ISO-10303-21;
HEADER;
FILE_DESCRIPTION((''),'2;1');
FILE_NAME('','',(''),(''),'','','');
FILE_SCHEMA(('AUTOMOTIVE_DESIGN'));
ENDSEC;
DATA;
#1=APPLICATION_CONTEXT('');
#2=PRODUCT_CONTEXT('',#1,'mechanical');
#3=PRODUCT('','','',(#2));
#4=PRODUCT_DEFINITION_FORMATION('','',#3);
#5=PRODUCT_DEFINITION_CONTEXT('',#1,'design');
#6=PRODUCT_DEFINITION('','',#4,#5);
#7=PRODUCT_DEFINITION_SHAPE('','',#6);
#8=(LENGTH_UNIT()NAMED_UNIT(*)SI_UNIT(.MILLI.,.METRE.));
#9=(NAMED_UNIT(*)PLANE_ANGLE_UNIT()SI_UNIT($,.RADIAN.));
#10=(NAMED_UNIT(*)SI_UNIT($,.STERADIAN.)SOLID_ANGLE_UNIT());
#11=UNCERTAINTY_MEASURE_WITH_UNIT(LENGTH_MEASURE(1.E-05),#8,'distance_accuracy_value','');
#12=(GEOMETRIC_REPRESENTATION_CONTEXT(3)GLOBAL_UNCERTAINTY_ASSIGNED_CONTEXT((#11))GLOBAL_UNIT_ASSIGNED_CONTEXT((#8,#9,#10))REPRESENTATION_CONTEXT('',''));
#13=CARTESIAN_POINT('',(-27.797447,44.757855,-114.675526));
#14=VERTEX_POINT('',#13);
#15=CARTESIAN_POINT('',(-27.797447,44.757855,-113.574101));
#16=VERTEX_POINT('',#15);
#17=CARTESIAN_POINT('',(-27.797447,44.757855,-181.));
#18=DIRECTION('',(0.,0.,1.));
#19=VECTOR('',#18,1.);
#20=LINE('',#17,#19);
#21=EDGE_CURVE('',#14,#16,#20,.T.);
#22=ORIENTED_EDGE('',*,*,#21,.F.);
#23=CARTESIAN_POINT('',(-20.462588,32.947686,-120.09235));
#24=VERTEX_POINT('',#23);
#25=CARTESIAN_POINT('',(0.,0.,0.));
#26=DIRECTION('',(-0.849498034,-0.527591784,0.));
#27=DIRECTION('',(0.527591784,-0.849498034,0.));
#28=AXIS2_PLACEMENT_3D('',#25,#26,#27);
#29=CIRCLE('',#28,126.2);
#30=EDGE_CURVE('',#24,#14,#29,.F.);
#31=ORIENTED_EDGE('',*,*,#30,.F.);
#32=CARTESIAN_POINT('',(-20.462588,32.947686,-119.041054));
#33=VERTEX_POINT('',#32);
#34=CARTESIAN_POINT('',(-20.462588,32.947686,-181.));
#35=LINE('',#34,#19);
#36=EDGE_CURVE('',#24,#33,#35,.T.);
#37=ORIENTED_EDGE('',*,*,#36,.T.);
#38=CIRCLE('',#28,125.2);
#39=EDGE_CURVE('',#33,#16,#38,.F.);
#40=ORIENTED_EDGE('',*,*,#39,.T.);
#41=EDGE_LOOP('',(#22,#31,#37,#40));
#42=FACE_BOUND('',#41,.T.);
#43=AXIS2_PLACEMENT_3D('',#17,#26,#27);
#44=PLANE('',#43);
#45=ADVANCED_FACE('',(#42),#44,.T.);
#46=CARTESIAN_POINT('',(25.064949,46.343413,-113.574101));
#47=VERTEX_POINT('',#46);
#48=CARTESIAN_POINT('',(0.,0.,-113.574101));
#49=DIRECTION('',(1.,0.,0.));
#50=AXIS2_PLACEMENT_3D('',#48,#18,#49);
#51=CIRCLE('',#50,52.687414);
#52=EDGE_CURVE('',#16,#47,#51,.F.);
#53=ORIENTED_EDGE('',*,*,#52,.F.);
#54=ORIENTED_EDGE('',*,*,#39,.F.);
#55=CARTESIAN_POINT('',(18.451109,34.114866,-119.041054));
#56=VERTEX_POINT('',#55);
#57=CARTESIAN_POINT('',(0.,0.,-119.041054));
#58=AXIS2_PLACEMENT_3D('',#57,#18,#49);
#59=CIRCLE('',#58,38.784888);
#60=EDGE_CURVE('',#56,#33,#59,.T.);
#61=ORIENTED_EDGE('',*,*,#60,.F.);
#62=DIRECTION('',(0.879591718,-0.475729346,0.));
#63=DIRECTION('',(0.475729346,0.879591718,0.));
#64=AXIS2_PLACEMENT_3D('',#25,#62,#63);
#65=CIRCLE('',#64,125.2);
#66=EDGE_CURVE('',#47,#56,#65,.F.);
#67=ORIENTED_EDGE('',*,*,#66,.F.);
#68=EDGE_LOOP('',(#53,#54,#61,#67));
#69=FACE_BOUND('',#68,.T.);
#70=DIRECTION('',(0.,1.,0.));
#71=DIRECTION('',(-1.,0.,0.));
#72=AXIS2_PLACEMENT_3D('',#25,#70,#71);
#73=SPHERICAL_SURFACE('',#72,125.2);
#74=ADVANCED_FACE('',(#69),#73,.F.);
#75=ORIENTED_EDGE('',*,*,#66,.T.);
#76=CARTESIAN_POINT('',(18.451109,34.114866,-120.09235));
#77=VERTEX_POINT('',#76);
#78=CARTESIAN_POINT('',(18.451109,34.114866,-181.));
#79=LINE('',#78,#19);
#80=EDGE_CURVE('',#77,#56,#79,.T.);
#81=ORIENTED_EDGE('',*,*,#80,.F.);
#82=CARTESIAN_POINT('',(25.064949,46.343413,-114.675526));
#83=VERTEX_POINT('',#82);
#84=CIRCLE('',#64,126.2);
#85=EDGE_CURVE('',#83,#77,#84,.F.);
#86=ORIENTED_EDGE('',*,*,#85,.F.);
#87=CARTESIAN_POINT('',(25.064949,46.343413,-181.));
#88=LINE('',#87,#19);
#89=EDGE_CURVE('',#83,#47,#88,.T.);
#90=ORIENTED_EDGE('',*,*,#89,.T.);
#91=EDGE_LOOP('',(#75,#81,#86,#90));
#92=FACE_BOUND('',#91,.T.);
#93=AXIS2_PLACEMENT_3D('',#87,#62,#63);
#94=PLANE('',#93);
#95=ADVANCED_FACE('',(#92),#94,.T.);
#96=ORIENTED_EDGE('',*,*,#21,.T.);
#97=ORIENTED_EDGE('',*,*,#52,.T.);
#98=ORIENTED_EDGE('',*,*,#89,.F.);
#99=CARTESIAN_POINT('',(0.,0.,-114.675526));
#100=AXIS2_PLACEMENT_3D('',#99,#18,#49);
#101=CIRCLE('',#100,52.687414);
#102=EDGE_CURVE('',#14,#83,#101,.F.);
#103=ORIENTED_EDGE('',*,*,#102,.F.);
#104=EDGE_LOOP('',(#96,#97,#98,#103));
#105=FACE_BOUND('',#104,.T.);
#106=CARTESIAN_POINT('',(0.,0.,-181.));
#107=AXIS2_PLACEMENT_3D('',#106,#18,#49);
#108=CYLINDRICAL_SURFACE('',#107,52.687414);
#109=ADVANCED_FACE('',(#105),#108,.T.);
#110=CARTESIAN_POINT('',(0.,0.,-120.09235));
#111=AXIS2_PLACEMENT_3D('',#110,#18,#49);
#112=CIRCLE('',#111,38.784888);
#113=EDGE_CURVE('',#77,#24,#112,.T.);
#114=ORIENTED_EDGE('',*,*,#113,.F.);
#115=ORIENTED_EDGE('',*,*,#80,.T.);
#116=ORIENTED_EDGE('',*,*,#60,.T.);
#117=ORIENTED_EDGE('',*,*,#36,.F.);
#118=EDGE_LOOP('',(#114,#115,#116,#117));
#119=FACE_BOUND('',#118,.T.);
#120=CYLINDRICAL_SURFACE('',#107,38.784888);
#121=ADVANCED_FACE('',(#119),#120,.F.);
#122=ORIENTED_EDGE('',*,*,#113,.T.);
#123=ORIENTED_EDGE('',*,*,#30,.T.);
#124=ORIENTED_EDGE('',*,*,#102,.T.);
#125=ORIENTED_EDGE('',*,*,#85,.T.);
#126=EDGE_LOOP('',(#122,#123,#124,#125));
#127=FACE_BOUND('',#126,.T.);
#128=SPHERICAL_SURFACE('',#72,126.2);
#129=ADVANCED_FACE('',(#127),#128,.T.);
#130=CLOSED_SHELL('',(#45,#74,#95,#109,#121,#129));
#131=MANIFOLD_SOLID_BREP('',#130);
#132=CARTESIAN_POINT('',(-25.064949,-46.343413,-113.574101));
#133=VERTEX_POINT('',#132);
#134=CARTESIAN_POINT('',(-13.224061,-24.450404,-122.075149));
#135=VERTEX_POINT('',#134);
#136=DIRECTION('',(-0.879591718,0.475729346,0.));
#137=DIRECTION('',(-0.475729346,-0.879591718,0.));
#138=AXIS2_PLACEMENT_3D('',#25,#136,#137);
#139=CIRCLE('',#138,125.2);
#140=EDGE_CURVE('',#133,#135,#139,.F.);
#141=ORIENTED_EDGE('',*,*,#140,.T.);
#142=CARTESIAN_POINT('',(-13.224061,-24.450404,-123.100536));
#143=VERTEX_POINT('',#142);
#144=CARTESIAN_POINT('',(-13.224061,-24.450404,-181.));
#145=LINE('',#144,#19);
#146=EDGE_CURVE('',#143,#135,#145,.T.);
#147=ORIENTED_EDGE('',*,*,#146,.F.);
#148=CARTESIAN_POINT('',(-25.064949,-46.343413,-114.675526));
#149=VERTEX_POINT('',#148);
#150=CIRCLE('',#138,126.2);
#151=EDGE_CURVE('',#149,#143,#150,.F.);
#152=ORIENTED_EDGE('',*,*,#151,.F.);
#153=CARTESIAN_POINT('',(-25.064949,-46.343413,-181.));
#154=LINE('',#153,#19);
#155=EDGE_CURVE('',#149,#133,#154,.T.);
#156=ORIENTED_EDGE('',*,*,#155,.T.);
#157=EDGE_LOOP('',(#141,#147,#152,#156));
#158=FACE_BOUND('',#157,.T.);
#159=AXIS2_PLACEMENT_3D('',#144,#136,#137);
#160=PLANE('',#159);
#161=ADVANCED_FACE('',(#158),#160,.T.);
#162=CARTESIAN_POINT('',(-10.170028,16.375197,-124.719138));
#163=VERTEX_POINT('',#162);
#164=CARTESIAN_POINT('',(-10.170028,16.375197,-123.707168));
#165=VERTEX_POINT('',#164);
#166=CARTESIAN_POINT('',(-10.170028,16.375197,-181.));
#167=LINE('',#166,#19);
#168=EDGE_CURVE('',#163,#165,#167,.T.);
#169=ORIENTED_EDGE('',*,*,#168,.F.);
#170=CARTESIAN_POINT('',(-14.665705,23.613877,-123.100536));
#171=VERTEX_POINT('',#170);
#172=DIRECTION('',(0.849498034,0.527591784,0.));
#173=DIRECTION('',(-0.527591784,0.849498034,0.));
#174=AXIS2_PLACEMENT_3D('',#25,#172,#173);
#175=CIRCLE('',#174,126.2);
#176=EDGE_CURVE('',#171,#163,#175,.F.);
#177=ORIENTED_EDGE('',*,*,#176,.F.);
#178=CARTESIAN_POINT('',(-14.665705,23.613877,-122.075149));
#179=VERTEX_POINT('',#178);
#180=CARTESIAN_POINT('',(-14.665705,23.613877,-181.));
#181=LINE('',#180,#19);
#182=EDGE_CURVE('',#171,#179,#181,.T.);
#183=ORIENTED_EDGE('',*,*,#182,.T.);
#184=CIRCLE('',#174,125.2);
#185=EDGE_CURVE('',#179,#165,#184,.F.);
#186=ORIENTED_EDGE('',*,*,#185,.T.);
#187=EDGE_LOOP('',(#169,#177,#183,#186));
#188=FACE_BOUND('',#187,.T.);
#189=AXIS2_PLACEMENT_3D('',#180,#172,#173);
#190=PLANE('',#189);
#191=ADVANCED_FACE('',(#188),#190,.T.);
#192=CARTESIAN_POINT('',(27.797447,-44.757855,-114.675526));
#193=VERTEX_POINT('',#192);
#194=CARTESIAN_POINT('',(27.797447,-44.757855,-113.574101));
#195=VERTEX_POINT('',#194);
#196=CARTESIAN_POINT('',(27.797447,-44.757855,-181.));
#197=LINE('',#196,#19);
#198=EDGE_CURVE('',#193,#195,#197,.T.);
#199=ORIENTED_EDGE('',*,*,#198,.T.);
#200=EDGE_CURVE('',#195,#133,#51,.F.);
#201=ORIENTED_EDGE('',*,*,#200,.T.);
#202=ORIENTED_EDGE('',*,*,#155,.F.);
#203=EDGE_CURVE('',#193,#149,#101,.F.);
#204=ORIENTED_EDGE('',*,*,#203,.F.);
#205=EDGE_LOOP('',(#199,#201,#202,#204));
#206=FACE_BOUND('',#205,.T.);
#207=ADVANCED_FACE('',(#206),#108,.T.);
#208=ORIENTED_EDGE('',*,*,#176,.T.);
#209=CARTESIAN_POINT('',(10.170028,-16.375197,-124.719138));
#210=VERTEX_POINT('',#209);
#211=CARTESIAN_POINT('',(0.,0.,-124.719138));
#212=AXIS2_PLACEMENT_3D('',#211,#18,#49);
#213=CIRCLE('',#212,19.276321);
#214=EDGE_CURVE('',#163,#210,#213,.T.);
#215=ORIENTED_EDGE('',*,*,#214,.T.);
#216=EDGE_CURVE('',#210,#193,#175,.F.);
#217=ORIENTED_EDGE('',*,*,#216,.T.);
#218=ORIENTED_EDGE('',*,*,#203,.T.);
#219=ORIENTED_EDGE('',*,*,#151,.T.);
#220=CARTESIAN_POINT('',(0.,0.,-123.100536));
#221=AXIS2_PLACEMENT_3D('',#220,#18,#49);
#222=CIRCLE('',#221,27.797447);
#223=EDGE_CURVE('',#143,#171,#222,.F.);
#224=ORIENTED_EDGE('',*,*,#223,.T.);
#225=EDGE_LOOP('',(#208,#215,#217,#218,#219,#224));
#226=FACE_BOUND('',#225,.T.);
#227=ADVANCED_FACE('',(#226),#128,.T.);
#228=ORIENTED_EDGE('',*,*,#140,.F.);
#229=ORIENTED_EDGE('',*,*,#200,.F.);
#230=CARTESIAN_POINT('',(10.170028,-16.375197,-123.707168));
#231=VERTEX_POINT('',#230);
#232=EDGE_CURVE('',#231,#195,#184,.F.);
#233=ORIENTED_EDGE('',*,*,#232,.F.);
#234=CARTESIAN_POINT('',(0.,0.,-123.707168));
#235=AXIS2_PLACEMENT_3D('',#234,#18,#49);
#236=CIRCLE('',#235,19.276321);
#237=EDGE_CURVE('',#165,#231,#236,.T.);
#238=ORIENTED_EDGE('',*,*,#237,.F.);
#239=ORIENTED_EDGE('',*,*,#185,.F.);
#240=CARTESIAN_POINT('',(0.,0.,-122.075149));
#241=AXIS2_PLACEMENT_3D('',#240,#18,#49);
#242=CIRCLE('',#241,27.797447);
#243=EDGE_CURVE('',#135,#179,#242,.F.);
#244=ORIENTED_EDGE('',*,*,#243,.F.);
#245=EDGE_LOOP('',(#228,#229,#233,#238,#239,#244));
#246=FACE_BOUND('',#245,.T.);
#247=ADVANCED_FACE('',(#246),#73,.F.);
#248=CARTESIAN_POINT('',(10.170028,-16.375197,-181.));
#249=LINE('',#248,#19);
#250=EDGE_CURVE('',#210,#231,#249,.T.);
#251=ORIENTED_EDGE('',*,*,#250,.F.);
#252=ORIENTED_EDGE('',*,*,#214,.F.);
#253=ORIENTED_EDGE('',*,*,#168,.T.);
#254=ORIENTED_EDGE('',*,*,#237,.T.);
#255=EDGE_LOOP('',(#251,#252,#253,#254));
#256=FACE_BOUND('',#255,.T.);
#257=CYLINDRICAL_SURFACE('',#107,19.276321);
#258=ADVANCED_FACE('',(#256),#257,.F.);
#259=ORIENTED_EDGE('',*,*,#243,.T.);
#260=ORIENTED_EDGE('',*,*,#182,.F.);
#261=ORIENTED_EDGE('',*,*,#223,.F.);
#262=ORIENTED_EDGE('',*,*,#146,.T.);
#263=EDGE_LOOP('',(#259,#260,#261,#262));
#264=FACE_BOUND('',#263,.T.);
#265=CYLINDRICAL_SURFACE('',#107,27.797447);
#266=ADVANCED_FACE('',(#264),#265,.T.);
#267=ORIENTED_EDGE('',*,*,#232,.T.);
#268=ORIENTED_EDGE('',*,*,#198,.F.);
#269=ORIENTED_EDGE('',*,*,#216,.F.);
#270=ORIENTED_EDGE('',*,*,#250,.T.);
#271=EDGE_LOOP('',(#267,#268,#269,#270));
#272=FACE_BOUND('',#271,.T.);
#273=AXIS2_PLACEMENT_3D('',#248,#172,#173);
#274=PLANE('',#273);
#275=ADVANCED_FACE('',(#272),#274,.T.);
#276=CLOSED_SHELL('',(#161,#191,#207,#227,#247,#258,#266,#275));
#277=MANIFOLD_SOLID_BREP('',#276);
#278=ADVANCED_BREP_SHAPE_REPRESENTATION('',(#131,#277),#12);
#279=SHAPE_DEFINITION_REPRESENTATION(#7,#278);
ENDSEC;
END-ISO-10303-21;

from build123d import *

# Parameters (mm, degrees)
REVOLVE_1_ANGLE     = 180
SHELL_1_T           = 1
SKETCH_2_OUTSIDE_W  = 330.12
SKETCH_2_OUTSIDE_H  = 330.12
CUT_EXTRUDE_1_DEPTH = 181


with BuildPart() as part:
    # 草图3 → 旋转1 (revolve)
    with BuildSketch(Plane.XY):
        with BuildLine():
            Line((0, -125.2), (0, 125.2))
            ThreePointArc((0, 125.2), (-125.2, 0), (0, -125.2))
        make_face()
    revolve(axis=Axis((0, 183.556728616, 0), (0, -1, 0)), revolution_arc=REVOLVE_1_ANGLE)

    # 抽壳1
    shell_1_openings = [part.faces().sort_by_distance(p)[0] for p in [
        (0, 0, 0),
    ]]
    offset(amount=SHELL_1_T, openings=shell_1_openings)

    # 草图2 outside → 切除-拉伸1 (cut)
    with BuildSketch(Plane.XY):
        Rectangle(SKETCH_2_OUTSIDE_W, SKETCH_2_OUTSIDE_H)
        with BuildLine():
            Line((-27.797446952, 44.75785495), (-20.46258832, 32.947686222))
            ThreePointArc((-20.46258832, 32.947686222), (-1.162793695, 38.767453604), (18.451109461, 34.114866375))
            Line((18.451109461, 34.114866375), (25.064949186, 46.34341333))
            ThreePointArc((25.064949186, 46.34341333), (-1.579599587, 52.663730422), (-27.797446952, 44.75785495))
        make_face(mode=Mode.SUBTRACT)
        with BuildLine():
            Line((-14.665704624, 23.613876534), (-10.170028494, 16.375196649))
            ThreePointArc((-10.170028494, 16.375196649), (-16.375196649, -10.170028494), (10.170028494, -16.375196649))
            Line((10.170028494, -16.375196649), (27.797446952, -44.75785495))
            ThreePointArc((27.797446952, -44.75785495), (1.579599587, -52.663730422), (-25.064949186, -46.34341333))
            Line((-25.064949186, -46.34341333), (-13.224061253, -24.450404108))
            ThreePointArc((-13.224061253, -24.450404108), (-27.784951477, -0.833383764), (-14.665704624, 23.613876534))
        make_face(mode=Mode.SUBTRACT)
    extrude(amount=-CUT_EXTRUDE_1_DEPTH, mode=Mode.SUBTRACT)


with BuildPart() as cut_extrude_1_piece_1:
    # of the separate pieces the step leaves, piece 1, a body of its own (cut_extrude_1_pieces)
    add(part.part.solids().sort_by_distance((-13.224061253, -24.450404108, -122.075148752))[0])


with BuildPart() as cut_extrude_1_piece_2:
    # of the separate pieces the step leaves, piece 2, a body of its own (cut_extrude_1_pieces)
    add(part.part.solids().sort_by_distance((-20.46258832, 32.947686222, -119.041053641))[0])


solid = Compound([cut_extrude_1_piece_1.part, cut_extrude_1_piece_2.part])
